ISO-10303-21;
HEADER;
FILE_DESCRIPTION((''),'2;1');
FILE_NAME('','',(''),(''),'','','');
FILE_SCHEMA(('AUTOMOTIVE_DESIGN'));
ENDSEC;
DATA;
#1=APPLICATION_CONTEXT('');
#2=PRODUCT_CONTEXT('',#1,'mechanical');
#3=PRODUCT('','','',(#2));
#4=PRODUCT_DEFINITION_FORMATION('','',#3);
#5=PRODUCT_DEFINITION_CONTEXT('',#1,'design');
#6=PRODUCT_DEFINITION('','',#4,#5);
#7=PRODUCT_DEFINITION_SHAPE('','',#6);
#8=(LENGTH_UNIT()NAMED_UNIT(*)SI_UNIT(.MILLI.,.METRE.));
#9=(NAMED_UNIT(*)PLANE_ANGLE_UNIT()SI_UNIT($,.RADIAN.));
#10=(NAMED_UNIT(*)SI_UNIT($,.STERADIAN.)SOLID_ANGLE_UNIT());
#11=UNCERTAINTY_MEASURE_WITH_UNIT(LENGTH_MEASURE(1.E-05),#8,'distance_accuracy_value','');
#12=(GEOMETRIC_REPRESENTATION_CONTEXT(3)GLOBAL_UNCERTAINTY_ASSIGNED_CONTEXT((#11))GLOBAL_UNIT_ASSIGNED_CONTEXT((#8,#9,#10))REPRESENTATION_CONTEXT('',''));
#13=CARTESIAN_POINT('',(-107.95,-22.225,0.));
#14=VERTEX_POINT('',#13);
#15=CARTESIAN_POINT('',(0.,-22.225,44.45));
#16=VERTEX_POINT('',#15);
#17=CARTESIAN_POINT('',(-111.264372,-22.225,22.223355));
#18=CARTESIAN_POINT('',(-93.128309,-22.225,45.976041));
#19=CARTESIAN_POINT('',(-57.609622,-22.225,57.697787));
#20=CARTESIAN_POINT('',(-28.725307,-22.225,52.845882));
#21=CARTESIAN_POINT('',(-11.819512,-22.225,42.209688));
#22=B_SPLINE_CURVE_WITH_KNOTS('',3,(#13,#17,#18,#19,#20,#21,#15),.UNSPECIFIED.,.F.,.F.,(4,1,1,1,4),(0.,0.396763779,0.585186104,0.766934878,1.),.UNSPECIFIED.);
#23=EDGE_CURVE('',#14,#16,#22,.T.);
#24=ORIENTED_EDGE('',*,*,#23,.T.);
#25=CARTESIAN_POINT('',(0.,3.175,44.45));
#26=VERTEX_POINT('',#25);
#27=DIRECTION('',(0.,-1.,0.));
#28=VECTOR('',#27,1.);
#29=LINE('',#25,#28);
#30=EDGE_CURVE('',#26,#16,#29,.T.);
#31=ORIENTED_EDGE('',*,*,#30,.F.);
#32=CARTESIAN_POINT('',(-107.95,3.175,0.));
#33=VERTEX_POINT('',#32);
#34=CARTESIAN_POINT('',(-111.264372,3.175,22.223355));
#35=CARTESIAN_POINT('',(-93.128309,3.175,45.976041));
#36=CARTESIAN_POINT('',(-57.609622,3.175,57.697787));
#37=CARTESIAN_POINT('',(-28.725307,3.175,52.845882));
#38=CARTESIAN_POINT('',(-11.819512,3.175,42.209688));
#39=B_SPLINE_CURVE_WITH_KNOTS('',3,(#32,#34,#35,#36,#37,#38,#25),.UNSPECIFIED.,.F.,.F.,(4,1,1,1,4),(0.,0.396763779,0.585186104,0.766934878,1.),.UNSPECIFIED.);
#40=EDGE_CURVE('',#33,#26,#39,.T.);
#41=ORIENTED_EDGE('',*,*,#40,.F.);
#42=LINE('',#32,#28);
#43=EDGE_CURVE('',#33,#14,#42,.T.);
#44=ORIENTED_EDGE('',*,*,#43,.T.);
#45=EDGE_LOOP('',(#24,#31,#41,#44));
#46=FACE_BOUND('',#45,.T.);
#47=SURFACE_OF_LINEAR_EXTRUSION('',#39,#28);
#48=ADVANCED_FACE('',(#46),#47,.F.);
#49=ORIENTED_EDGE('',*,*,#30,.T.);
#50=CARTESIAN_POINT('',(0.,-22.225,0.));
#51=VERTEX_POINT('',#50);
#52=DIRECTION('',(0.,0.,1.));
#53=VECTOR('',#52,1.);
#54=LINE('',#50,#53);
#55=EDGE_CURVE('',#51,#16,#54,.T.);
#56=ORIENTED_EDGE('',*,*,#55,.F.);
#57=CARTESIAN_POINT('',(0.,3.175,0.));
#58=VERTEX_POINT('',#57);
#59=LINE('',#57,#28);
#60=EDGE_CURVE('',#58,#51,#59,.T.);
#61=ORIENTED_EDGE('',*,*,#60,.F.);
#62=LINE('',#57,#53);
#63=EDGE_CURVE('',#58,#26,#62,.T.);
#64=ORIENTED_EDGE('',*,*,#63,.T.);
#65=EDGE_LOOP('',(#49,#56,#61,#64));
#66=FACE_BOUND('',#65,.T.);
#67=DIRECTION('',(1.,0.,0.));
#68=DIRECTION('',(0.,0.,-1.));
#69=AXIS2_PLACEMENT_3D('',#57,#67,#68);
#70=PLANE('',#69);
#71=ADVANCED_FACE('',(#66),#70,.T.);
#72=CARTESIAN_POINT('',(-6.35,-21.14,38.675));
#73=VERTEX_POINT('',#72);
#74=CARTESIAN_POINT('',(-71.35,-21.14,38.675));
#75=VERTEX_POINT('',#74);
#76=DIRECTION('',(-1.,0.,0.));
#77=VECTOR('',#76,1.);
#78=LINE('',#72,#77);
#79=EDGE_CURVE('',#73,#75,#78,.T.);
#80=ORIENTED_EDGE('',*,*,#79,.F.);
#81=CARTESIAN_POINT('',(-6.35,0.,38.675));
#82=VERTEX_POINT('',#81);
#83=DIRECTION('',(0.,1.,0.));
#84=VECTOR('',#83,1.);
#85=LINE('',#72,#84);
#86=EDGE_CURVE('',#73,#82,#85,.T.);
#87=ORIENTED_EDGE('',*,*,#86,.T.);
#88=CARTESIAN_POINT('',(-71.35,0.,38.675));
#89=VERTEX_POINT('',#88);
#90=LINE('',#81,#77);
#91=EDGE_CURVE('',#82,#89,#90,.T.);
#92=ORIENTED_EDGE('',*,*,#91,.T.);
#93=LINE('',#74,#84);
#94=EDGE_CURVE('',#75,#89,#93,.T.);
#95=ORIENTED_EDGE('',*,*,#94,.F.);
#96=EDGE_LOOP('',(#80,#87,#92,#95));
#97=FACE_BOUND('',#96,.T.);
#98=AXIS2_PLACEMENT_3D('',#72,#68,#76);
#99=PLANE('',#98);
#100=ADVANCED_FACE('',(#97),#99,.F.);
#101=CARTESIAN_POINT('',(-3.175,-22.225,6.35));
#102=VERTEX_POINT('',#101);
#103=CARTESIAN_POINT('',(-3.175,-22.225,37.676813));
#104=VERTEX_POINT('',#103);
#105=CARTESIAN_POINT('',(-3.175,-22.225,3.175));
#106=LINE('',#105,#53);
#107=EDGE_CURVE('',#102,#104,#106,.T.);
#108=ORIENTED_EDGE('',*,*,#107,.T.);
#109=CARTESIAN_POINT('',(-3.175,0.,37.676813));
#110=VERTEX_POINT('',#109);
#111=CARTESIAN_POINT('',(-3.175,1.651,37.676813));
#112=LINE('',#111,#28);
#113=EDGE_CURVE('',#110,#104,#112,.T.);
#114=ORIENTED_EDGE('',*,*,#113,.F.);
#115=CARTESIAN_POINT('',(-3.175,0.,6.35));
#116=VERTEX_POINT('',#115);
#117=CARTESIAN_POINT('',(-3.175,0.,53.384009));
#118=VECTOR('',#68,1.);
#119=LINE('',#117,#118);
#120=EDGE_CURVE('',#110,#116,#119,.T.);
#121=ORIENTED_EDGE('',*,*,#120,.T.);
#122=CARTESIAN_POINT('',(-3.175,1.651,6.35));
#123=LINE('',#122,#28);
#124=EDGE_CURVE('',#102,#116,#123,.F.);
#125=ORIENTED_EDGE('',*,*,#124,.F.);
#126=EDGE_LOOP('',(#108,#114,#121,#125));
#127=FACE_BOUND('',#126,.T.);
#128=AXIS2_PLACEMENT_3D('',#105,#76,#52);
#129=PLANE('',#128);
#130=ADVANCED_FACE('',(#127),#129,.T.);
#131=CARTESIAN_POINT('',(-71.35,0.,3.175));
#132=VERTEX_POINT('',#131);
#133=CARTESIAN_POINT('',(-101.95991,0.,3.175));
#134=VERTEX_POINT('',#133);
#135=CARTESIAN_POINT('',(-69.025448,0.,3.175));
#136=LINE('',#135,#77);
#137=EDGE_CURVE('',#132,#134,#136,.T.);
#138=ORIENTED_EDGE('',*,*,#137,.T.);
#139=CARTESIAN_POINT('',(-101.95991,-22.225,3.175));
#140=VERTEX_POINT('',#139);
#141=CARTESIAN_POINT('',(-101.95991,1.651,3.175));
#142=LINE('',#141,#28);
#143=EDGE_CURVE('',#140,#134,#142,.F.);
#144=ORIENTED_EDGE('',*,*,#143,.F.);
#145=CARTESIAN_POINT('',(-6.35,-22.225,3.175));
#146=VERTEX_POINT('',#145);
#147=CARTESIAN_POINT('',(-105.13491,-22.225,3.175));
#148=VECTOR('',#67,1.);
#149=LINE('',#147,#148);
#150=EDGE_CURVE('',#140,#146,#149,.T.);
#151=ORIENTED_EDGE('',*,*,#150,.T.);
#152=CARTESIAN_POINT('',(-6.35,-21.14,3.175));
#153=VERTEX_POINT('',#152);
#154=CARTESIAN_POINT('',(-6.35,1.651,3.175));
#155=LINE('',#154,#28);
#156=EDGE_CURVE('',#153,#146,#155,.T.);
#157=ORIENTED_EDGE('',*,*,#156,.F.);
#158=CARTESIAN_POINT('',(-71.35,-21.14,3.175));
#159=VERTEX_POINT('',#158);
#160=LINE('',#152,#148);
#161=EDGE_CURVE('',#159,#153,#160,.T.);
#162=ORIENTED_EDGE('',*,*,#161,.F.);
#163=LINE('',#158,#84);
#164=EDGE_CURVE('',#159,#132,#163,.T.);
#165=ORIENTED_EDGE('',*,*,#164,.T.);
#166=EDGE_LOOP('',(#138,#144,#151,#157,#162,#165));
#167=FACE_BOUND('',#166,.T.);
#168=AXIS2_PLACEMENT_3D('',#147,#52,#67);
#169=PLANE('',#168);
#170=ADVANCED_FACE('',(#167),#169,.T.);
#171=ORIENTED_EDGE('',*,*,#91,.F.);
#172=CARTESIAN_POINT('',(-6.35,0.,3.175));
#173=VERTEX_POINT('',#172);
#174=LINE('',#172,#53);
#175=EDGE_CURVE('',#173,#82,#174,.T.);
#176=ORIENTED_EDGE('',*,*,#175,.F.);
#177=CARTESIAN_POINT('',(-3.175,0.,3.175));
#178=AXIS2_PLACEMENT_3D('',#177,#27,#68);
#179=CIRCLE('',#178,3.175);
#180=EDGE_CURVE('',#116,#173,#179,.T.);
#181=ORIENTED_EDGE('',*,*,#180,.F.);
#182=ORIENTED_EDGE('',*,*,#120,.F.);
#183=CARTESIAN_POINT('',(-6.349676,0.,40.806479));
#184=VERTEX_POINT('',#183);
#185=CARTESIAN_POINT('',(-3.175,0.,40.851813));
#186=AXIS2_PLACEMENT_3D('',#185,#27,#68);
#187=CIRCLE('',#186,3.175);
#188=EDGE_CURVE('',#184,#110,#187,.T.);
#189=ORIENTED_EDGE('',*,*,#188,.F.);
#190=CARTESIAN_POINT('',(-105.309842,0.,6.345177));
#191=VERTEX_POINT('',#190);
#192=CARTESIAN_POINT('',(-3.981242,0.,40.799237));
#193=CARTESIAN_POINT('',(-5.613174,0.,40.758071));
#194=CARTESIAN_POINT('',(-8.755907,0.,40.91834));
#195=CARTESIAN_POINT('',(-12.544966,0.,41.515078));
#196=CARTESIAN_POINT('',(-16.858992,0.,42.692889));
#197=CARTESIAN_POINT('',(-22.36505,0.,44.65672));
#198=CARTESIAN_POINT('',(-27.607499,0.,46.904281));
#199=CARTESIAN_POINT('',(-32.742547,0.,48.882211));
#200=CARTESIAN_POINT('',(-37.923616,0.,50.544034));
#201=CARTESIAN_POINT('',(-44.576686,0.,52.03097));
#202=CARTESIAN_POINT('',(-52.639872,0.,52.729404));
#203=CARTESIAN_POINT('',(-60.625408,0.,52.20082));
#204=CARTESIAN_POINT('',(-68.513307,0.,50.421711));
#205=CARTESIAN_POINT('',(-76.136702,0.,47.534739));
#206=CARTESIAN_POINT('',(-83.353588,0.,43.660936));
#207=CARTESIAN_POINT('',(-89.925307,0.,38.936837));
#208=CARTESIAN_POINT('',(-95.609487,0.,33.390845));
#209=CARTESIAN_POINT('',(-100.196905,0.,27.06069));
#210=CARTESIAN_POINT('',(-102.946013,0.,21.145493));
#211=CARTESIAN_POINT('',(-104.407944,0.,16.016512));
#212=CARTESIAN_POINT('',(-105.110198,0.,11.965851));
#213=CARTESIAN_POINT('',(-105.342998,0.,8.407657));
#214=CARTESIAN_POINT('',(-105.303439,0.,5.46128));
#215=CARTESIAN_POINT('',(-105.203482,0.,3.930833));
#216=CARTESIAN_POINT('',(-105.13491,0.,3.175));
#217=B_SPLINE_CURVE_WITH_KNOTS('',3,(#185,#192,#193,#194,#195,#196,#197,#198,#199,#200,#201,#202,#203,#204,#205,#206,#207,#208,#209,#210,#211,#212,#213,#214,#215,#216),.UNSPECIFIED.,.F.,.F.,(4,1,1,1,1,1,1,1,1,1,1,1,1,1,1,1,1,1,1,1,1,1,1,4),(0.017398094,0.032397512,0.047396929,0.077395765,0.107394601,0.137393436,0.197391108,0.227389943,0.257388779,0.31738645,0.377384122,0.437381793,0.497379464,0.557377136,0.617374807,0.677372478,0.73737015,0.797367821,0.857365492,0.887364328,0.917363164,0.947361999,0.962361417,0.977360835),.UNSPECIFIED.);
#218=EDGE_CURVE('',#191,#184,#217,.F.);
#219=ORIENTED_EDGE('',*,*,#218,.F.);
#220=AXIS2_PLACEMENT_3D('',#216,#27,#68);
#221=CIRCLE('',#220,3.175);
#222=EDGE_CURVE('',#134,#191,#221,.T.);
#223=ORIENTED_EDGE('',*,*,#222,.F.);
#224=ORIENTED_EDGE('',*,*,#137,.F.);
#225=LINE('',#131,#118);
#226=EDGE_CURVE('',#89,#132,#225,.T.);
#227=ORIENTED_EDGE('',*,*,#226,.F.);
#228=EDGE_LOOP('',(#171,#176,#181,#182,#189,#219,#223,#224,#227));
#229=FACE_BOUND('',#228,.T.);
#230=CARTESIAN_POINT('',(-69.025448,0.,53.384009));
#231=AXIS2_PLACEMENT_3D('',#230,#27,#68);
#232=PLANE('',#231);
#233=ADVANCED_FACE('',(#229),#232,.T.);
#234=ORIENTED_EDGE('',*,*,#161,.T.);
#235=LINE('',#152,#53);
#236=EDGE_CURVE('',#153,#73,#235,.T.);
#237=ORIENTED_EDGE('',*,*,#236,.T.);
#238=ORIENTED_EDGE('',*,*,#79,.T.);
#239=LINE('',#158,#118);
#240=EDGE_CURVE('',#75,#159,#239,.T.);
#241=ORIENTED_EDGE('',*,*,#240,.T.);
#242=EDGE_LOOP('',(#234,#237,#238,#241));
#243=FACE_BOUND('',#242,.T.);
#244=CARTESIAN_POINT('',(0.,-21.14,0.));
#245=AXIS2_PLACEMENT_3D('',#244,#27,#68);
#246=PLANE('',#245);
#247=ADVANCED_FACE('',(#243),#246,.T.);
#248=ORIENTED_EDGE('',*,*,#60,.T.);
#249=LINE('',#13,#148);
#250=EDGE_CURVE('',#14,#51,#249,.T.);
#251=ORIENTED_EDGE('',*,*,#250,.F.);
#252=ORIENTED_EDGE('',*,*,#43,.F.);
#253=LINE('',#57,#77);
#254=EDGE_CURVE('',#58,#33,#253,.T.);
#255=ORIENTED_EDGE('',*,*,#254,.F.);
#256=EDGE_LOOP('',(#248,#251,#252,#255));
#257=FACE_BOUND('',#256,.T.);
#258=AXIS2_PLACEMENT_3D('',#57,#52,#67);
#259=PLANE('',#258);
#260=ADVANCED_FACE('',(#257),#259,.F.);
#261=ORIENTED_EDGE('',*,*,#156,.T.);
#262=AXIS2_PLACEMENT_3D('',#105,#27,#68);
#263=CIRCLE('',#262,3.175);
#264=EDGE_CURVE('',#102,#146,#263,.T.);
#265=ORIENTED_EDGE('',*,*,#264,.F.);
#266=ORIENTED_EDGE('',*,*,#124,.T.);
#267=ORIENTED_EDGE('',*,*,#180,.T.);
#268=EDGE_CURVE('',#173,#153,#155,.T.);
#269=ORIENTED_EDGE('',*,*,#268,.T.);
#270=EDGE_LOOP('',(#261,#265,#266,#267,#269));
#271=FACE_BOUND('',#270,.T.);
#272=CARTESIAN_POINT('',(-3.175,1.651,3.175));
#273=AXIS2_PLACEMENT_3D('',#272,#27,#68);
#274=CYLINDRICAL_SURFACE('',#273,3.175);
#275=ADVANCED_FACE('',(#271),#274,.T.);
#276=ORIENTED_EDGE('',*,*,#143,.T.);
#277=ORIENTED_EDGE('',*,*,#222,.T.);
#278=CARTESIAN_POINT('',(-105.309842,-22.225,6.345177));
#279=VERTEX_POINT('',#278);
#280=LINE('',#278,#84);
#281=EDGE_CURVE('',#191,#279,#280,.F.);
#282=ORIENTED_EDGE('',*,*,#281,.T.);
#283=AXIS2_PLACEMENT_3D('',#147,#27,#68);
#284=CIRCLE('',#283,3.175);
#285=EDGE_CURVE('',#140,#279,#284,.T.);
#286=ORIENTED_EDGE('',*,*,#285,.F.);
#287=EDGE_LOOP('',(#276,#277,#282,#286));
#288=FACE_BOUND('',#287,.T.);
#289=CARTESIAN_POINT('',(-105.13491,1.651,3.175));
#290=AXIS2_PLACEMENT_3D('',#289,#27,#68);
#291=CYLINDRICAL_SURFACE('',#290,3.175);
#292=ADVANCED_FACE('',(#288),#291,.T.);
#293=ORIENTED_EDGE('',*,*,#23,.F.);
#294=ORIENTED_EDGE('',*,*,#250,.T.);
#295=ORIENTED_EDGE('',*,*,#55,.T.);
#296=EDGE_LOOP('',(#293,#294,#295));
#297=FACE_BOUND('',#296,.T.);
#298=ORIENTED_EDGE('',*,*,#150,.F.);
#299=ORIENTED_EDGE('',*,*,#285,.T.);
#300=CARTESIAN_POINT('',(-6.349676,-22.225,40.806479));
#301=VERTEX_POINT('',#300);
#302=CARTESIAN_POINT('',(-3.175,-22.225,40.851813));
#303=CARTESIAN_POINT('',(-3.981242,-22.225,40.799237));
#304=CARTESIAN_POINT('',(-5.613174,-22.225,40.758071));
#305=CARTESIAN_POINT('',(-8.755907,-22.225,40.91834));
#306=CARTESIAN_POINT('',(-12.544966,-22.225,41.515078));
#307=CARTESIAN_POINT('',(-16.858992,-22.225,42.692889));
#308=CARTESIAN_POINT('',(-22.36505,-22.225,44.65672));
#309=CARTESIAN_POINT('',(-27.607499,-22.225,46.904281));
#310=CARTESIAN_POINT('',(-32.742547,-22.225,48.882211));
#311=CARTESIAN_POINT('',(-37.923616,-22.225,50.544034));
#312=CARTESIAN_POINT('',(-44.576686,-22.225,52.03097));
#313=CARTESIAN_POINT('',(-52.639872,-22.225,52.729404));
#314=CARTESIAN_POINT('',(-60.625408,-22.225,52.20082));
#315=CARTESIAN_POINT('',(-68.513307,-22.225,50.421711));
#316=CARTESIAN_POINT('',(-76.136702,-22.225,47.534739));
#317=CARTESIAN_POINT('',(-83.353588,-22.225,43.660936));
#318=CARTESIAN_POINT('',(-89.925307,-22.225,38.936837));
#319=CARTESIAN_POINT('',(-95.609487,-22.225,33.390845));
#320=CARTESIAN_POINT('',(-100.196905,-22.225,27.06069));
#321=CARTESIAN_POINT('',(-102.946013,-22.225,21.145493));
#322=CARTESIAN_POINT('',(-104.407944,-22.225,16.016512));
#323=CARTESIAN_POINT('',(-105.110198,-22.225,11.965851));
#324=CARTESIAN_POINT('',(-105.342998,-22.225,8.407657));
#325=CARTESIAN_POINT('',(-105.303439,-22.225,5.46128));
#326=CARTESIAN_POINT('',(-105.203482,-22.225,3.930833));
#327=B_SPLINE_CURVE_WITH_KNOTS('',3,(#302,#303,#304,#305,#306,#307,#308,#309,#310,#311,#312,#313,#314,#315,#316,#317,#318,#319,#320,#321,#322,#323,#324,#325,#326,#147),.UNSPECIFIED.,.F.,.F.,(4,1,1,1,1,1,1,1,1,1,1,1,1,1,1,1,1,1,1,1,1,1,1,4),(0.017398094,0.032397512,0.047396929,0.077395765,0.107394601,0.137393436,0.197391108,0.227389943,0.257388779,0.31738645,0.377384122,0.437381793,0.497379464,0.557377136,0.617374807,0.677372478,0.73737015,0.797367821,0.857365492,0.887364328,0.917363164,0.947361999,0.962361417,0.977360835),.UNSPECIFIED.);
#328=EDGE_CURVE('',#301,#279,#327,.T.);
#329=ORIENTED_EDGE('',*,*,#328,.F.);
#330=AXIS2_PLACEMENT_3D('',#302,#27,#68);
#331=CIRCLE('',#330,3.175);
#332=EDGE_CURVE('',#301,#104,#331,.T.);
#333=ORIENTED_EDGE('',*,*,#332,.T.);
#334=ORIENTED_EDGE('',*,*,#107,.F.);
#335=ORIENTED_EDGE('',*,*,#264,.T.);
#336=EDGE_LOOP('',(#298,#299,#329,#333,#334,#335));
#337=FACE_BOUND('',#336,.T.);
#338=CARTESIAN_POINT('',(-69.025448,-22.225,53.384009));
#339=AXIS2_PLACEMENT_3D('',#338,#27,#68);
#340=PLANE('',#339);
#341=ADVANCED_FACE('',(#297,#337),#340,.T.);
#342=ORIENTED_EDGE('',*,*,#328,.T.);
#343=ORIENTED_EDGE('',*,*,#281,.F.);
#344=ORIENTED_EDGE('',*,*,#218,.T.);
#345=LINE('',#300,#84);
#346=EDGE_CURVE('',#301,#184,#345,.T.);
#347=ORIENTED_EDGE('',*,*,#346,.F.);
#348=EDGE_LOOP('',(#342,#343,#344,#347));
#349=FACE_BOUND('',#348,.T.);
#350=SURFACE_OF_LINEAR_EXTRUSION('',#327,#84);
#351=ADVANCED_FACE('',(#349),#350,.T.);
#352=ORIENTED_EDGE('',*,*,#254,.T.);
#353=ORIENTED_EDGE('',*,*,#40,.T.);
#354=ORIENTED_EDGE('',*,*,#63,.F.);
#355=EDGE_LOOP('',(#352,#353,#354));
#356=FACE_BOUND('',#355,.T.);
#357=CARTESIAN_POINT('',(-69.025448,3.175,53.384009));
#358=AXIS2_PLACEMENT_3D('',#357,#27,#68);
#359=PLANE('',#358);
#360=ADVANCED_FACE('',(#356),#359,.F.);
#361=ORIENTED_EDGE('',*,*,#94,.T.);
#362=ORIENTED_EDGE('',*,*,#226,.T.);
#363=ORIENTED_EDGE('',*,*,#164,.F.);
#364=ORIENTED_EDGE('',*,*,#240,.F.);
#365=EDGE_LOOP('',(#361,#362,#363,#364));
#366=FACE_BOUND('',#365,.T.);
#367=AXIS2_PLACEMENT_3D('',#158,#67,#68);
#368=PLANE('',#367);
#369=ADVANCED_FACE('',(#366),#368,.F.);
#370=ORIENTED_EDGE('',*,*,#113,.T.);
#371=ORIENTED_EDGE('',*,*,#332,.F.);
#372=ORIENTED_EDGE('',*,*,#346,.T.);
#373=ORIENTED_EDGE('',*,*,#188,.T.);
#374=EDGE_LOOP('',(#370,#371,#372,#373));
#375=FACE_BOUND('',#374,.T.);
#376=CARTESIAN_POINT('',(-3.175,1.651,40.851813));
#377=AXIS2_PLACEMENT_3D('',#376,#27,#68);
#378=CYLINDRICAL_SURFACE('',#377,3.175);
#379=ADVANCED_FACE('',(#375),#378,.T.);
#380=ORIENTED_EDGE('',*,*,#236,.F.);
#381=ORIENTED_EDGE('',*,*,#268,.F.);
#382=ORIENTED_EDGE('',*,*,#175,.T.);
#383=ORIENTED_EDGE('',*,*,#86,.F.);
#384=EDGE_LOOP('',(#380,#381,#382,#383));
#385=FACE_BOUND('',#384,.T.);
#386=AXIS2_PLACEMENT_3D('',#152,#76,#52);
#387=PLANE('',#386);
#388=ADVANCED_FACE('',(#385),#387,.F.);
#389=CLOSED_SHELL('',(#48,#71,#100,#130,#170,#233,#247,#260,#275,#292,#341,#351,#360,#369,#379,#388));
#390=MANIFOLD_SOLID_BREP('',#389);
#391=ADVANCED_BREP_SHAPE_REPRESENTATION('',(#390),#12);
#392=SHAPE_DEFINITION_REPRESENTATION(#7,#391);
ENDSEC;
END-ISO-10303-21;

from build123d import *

# Parameters (mm, degrees)
BOSS_EXTRUDE1_DEPTH = 3.175
BOSS_EXTRUDE2_DEPTH = 25.4
SKETCH4_R           = 3.175
BOSS_EXTRUDE3_DEPTH = 23.876
SKETCH5_W           = 65
SKETCH5_H           = 35.5
BOSS_EXTRUDE4_DEPTH = 21.14


with BuildPart() as part:
    # Sketch1 → Boss-Extrude1 (new body)
    with BuildSketch(Plane(origin=(0, 0, 0), x_dir=(1, 0, 0), z_dir=(0, 1, 0))):
        with BuildLine():
            Line((0, 0), (-107.95, 0))
            add(Edge.make_bspline(
                [(-107.95, 0), (-111.264371581, -22.223355165), (-93.128309356, -45.976040953), (-57.609622492, -57.69778745), (-28.725306534, -52.845882242), (-11.819511833, -42.209688066), (0, -44.45)],
                knots=[0, 0, 0, 0, 0.396763779, 0.585186104, 0.766934878, 1, 1, 1, 1], degree=3))
            Line((0, -44.45), (0, 0))
        make_face()
    extrude(amount=BOSS_EXTRUDE1_DEPTH)

    # Sketch3 → Boss-Extrude2 (add)
    with BuildSketch(Plane(origin=(0, 3.175, 0), x_dir=(1, 0, 0), z_dir=(0, 1, 0))):
        with BuildLine():
            Line((-107.95, 0), (0, 0))
            Line((0, 0), (0, -44.45))
            add(Edge.make_bspline(
                [(-107.95, 0), (-111.264371581, -22.223355165), (-93.128309356, -45.976040953), (-57.609622492, -57.69778745), (-28.725306534, -52.845882242), (-11.819511833, -42.209688066), (0, -44.45)],
                knots=[0, 0, 0, 0, 0.396763779, 0.585186104, 0.766934878, 1, 1, 1, 1], degree=3))
        make_face()
        with BuildLine():
            Line((-3.175, -3.175), (-3.175, -40.851813342))
            add(Edge.make_bspline(
                [(-3.175, -40.851813342), (-3.981241555, -40.799236826), (-5.613173677, -40.758071121), (-8.755907484, -40.91833994), (-12.544966377, -41.515078302), (-16.858992044, -42.692888995), (-22.365050245, -44.656719953), (-27.607498849, -46.904281185), (-32.742546929, -48.882210607), (-37.923615998, -50.544033975), (-44.576686254, -52.030970183), (-52.639871626, -52.729404253), (-60.625408491, -52.20082035), (-68.513307445, -50.421711202), (-76.136701649, -47.534738566), (-83.353587797, -43.660935754), (-89.925307122, -38.936837432), (-95.60948708, -33.390844892), (-100.196904726, -27.060690394), (-102.946013069, -21.145493232), (-104.40794392, -16.016511773), (-105.110198278, -11.965850914), (-105.342998437, -8.407656976), (-105.303439388, -5.46128014), (-105.203482374, -3.930833291), (-105.134910032, -3.175)],
                knots=[0.017398094, 0.017398094, 0.017398094, 0.017398094, 0.032397512, 0.047396929, 0.077395765, 0.107394601, 0.137393436, 0.197391108, 0.227389943, 0.257388779, 0.31738645, 0.377384122, 0.437381793, 0.497379464, 0.557377136, 0.617374807, 0.677372478, 0.73737015, 0.797367821, 0.857365492, 0.887364328, 0.917363164, 0.947361999, 0.962361417, 0.977360835, 0.977360835, 0.977360835, 0.977360835], degree=3))
            Line((-105.134910032, -3.175), (-3.175, -3.175))
        make_face(mode=Mode.SUBTRACT)
    extrude(amount=-BOSS_EXTRUDE2_DEPTH)

    # Sketch4 → Boss-Extrude3 (add)
    with BuildSketch(Plane(origin=(0, -22.225, 0), x_dir=(-1, 0, 0), z_dir=(0, -1, 0))):
        with Locations((105.134910032, -3.175)):
            Circle(SKETCH4_R)
        with Locations((3.175, -3.175)):
            Circle(SKETCH4_R)
        with Locations((3.175, -40.851813342)):
            Circle(SKETCH4_R)
    extrude(amount=-BOSS_EXTRUDE3_DEPTH)

    # Sketch5 → Boss-Extrude4 (add)
    with BuildSketch(Plane.XZ):
        with Locations((-38.85, 20.925)):
            Rectangle(SKETCH5_W, SKETCH5_H)
    extrude(amount=BOSS_EXTRUDE4_DEPTH)


solid = part.part
